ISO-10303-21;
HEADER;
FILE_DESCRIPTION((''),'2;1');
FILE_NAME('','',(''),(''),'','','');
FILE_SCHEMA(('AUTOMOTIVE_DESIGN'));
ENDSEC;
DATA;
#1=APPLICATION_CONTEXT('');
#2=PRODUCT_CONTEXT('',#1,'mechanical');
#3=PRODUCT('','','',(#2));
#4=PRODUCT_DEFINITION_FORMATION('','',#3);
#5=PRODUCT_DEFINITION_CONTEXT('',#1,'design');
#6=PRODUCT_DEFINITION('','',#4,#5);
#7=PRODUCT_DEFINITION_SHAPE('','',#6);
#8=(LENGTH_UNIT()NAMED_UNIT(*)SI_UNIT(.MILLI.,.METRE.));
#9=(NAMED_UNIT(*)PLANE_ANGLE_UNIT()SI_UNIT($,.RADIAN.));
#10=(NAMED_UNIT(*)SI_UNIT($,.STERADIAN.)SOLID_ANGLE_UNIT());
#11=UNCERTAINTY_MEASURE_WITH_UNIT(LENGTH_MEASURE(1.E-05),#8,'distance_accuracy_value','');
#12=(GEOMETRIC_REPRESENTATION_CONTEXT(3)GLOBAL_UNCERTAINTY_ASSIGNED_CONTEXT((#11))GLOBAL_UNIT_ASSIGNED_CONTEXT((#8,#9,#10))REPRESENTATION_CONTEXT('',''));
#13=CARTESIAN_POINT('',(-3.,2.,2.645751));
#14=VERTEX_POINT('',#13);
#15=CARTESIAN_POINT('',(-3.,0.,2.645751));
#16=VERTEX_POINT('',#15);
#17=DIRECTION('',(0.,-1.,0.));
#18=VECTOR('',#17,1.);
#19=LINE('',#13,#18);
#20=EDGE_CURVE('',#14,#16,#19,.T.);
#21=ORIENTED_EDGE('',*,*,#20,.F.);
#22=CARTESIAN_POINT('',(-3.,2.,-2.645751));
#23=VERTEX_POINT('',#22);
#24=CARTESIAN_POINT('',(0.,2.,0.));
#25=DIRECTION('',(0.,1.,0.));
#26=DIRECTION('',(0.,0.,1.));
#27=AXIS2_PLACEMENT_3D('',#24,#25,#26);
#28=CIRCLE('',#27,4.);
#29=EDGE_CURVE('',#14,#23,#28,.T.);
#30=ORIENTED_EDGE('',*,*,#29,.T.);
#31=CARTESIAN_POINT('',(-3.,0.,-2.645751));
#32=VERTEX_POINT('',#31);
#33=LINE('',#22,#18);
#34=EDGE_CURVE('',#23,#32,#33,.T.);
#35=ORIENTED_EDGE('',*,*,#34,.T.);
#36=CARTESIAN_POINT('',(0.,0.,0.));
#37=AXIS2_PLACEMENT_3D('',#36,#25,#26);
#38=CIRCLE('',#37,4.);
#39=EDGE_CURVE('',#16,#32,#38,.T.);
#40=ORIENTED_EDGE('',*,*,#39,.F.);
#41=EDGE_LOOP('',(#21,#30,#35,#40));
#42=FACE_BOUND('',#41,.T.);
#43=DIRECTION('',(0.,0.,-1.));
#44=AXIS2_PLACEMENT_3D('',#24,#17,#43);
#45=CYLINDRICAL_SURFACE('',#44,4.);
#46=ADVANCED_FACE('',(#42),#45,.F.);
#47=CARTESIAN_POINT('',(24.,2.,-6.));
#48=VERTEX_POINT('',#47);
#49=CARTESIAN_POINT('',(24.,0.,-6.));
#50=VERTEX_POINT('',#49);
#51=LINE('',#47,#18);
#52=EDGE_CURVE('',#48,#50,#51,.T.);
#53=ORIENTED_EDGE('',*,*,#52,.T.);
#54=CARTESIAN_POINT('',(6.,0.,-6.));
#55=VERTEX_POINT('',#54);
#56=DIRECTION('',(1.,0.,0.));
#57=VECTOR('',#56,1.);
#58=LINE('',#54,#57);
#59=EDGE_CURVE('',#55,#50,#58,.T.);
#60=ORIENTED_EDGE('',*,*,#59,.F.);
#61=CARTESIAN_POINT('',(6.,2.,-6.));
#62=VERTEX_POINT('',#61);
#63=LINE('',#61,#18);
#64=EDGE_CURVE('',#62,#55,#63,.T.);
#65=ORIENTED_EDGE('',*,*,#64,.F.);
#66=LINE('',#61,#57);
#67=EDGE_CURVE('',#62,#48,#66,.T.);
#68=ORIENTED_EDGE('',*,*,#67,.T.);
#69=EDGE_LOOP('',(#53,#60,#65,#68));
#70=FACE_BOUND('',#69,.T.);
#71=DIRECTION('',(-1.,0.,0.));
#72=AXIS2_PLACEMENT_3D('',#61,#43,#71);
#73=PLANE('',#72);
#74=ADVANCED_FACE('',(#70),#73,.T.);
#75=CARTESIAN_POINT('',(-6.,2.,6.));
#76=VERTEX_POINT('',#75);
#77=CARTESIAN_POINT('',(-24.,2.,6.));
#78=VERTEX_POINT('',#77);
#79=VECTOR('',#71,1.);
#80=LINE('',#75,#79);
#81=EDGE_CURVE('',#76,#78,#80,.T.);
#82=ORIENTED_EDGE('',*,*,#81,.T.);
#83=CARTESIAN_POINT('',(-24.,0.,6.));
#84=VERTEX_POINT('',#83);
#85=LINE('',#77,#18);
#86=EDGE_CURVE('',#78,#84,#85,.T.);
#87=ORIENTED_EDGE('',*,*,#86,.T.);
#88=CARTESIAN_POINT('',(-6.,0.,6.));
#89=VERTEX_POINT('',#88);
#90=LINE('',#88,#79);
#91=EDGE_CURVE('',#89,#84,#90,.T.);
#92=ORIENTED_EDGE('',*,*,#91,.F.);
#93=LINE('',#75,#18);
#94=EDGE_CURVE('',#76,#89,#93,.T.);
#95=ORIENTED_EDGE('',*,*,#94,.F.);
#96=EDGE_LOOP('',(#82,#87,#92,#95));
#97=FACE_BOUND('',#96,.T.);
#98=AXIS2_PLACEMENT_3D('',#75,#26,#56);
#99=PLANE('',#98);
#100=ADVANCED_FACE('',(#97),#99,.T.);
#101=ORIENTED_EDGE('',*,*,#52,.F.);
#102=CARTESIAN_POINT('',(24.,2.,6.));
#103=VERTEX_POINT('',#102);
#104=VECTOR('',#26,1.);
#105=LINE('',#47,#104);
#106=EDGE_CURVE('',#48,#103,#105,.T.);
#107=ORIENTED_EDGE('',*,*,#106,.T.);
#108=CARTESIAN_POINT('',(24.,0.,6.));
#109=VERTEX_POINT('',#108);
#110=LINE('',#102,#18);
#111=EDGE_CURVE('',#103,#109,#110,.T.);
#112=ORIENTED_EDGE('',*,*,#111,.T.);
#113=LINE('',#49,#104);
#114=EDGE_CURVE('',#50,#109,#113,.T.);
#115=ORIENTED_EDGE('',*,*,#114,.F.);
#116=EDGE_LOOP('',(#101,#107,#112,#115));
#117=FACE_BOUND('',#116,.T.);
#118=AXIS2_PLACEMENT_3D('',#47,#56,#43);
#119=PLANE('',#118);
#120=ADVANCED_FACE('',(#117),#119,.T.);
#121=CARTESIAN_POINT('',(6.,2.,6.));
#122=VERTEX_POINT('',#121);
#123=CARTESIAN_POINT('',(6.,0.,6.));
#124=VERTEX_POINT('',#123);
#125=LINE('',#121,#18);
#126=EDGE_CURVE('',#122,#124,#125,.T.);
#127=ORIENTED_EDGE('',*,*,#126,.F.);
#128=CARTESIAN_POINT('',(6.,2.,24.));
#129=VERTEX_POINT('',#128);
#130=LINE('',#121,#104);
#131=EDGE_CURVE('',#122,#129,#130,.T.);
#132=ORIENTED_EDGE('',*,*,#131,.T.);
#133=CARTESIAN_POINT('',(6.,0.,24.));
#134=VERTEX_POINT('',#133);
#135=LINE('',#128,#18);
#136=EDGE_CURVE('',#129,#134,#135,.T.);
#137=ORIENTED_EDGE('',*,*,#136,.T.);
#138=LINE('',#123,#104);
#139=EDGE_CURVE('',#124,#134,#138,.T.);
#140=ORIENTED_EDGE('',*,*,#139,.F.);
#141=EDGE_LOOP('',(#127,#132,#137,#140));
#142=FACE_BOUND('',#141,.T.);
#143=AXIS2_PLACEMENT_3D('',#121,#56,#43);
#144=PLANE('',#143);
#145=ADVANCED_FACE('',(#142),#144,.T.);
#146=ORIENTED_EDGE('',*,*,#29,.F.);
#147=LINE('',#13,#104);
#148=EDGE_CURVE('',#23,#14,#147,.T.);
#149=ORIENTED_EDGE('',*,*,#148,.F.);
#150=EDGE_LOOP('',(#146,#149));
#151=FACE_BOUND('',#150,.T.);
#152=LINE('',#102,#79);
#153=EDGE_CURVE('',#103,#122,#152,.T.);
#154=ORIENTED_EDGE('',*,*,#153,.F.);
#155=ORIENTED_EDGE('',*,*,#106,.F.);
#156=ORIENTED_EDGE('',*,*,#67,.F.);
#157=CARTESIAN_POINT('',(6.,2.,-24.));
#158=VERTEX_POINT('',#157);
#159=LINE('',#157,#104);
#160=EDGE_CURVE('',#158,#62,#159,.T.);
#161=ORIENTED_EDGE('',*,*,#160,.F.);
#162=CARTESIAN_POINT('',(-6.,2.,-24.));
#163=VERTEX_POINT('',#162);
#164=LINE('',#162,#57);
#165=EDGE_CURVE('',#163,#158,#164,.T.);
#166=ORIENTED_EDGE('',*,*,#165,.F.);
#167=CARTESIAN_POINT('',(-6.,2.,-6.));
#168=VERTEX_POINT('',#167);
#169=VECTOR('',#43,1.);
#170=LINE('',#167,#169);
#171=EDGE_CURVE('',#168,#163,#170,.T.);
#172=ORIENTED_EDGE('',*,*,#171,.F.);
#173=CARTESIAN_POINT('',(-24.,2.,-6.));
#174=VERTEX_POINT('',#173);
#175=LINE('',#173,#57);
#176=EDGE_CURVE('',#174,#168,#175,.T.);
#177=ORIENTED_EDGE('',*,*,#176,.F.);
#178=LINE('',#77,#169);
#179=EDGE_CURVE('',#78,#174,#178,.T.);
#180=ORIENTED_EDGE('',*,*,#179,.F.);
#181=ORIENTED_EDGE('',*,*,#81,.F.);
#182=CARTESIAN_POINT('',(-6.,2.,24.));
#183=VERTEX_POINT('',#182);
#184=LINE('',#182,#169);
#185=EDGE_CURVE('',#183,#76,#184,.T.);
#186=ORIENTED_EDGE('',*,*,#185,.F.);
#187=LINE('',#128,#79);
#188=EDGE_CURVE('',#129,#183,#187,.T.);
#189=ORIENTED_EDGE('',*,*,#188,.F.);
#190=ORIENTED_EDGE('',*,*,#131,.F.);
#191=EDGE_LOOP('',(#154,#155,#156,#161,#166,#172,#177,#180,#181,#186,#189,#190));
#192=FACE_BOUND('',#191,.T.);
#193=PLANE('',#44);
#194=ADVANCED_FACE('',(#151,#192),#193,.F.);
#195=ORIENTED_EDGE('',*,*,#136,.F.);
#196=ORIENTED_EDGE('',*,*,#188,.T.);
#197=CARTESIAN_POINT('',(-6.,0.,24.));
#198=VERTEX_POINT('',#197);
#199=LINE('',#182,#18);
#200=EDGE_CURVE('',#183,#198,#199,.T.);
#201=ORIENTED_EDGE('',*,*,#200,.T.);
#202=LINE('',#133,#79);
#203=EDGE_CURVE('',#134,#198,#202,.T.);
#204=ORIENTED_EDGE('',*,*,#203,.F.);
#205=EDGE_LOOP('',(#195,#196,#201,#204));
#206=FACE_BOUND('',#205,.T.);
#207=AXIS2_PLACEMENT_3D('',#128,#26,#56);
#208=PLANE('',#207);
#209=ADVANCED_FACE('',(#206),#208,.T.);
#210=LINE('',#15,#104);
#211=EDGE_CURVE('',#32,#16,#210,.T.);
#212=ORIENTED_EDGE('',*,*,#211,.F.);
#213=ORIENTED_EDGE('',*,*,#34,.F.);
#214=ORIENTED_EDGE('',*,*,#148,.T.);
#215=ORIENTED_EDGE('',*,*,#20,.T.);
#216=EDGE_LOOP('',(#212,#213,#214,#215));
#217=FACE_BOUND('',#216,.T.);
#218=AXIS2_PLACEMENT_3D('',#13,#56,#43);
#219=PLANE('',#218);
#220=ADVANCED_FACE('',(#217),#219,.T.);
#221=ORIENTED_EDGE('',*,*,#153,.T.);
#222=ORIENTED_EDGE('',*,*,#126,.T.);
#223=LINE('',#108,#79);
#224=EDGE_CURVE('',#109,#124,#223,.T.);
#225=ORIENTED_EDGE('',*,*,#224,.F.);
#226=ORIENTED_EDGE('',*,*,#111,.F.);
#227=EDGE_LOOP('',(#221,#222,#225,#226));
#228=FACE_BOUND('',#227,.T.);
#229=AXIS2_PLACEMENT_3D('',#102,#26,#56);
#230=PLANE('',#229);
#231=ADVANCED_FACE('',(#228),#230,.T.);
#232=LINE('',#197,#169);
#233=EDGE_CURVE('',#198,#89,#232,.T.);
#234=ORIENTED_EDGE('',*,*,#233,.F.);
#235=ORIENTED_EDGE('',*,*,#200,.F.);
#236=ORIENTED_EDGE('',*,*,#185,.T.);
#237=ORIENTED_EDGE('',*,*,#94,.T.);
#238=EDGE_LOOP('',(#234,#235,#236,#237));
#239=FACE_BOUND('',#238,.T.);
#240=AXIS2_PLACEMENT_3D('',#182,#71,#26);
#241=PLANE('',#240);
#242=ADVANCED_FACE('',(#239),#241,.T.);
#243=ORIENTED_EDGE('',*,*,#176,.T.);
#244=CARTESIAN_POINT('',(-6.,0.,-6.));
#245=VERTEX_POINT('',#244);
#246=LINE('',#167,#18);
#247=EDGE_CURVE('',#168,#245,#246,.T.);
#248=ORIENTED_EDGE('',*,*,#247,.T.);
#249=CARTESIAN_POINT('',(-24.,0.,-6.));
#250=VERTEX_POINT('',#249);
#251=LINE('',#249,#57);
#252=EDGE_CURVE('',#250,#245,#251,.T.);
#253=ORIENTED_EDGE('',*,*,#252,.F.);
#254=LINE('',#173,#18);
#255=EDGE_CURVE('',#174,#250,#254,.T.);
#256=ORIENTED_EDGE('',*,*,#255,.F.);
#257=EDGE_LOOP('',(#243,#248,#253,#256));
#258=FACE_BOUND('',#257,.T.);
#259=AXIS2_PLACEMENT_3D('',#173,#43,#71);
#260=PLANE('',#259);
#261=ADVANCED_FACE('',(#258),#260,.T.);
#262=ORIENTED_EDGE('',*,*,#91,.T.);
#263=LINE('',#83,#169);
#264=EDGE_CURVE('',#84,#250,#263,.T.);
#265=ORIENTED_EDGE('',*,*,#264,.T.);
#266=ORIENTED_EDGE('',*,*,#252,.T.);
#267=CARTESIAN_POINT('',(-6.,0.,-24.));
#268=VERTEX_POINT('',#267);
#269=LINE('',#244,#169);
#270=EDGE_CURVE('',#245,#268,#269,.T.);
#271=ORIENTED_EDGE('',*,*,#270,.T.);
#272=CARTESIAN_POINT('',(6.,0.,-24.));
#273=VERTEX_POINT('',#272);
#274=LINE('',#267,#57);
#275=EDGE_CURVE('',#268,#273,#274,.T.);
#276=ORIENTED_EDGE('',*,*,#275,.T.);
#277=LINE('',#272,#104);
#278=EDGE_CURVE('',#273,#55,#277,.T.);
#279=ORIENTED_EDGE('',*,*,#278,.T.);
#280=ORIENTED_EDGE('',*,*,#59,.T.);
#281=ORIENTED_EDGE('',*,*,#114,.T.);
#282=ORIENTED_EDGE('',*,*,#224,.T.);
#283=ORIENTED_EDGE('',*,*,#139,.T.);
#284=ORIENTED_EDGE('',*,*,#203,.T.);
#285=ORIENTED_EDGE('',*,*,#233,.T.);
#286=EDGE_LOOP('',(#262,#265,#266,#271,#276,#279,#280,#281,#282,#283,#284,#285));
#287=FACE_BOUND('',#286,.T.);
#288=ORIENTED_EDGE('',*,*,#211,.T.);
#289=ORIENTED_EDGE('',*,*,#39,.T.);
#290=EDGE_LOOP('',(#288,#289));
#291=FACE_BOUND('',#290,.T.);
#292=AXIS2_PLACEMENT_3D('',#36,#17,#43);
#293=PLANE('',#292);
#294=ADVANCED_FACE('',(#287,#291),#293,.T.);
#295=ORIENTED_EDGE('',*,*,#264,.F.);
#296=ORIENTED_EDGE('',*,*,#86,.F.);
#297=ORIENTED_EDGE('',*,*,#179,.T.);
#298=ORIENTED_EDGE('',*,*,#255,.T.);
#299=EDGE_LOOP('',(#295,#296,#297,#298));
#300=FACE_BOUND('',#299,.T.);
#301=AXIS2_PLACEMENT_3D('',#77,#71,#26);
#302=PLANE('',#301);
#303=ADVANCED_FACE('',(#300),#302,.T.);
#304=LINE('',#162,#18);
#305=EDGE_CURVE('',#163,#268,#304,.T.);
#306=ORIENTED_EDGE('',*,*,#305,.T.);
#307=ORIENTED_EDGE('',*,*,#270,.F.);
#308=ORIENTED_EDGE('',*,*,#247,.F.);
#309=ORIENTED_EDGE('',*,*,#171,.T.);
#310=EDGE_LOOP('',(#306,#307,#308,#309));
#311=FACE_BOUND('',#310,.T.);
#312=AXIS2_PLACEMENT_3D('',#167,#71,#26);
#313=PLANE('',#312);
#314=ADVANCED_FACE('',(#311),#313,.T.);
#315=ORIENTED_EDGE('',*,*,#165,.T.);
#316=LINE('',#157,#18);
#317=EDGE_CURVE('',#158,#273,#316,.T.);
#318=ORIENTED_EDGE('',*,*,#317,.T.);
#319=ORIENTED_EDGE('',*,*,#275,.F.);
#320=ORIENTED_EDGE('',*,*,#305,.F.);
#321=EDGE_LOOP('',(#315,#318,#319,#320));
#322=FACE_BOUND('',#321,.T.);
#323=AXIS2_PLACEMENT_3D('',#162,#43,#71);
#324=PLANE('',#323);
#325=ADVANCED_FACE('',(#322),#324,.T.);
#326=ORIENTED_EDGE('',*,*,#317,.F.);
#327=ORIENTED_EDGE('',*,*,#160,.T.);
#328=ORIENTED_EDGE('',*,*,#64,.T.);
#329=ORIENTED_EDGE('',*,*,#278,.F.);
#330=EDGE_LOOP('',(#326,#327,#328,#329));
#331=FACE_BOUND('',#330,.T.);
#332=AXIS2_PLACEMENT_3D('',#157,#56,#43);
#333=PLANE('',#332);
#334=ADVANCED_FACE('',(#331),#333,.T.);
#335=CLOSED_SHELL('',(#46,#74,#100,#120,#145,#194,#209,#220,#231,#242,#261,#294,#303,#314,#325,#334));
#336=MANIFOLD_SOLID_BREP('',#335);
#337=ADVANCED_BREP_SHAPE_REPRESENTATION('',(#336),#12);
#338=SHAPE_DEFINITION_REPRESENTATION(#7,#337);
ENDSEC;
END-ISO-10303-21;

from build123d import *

# Parameters (mm, degrees)
BOSS_EXTRUDE1_DEPTH = 2
CUT_EXTRUDE2_DEPTH  = 35


with BuildPart() as part:
    # Sketch1 → Boss-Extrude1 (new body)
    with BuildSketch(Plane(origin=(0, 0, 0), x_dir=(1, 0, 0), z_dir=(0, 1, 0))):
        Polygon((-6, 6), (-6, 24), (6, 24), (6, 6), (24, 6), (24, -6), (6, -6), (6, -24), (-6, -24), (-6, -6), (-24, -6), (-24, 6), align=None)
    extrude(amount=BOSS_EXTRUDE1_DEPTH)

    # Sketch2 → Cut-Extrude2 (cut, through all)
    with BuildSketch(Plane(origin=(0, 0, 0), x_dir=(1, 0, 0), z_dir=(0, 1, 0))):
        with BuildLine():
            Line((-3, -2.645751311), (-3, 2.645751311))
            ThreePointArc((-3, 2.645751311), (4, 0), (-3, -2.645751311))
        make_face()
    extrude(amount=CUT_EXTRUDE2_DEPTH, mode=Mode.SUBTRACT)


solid = part.part
